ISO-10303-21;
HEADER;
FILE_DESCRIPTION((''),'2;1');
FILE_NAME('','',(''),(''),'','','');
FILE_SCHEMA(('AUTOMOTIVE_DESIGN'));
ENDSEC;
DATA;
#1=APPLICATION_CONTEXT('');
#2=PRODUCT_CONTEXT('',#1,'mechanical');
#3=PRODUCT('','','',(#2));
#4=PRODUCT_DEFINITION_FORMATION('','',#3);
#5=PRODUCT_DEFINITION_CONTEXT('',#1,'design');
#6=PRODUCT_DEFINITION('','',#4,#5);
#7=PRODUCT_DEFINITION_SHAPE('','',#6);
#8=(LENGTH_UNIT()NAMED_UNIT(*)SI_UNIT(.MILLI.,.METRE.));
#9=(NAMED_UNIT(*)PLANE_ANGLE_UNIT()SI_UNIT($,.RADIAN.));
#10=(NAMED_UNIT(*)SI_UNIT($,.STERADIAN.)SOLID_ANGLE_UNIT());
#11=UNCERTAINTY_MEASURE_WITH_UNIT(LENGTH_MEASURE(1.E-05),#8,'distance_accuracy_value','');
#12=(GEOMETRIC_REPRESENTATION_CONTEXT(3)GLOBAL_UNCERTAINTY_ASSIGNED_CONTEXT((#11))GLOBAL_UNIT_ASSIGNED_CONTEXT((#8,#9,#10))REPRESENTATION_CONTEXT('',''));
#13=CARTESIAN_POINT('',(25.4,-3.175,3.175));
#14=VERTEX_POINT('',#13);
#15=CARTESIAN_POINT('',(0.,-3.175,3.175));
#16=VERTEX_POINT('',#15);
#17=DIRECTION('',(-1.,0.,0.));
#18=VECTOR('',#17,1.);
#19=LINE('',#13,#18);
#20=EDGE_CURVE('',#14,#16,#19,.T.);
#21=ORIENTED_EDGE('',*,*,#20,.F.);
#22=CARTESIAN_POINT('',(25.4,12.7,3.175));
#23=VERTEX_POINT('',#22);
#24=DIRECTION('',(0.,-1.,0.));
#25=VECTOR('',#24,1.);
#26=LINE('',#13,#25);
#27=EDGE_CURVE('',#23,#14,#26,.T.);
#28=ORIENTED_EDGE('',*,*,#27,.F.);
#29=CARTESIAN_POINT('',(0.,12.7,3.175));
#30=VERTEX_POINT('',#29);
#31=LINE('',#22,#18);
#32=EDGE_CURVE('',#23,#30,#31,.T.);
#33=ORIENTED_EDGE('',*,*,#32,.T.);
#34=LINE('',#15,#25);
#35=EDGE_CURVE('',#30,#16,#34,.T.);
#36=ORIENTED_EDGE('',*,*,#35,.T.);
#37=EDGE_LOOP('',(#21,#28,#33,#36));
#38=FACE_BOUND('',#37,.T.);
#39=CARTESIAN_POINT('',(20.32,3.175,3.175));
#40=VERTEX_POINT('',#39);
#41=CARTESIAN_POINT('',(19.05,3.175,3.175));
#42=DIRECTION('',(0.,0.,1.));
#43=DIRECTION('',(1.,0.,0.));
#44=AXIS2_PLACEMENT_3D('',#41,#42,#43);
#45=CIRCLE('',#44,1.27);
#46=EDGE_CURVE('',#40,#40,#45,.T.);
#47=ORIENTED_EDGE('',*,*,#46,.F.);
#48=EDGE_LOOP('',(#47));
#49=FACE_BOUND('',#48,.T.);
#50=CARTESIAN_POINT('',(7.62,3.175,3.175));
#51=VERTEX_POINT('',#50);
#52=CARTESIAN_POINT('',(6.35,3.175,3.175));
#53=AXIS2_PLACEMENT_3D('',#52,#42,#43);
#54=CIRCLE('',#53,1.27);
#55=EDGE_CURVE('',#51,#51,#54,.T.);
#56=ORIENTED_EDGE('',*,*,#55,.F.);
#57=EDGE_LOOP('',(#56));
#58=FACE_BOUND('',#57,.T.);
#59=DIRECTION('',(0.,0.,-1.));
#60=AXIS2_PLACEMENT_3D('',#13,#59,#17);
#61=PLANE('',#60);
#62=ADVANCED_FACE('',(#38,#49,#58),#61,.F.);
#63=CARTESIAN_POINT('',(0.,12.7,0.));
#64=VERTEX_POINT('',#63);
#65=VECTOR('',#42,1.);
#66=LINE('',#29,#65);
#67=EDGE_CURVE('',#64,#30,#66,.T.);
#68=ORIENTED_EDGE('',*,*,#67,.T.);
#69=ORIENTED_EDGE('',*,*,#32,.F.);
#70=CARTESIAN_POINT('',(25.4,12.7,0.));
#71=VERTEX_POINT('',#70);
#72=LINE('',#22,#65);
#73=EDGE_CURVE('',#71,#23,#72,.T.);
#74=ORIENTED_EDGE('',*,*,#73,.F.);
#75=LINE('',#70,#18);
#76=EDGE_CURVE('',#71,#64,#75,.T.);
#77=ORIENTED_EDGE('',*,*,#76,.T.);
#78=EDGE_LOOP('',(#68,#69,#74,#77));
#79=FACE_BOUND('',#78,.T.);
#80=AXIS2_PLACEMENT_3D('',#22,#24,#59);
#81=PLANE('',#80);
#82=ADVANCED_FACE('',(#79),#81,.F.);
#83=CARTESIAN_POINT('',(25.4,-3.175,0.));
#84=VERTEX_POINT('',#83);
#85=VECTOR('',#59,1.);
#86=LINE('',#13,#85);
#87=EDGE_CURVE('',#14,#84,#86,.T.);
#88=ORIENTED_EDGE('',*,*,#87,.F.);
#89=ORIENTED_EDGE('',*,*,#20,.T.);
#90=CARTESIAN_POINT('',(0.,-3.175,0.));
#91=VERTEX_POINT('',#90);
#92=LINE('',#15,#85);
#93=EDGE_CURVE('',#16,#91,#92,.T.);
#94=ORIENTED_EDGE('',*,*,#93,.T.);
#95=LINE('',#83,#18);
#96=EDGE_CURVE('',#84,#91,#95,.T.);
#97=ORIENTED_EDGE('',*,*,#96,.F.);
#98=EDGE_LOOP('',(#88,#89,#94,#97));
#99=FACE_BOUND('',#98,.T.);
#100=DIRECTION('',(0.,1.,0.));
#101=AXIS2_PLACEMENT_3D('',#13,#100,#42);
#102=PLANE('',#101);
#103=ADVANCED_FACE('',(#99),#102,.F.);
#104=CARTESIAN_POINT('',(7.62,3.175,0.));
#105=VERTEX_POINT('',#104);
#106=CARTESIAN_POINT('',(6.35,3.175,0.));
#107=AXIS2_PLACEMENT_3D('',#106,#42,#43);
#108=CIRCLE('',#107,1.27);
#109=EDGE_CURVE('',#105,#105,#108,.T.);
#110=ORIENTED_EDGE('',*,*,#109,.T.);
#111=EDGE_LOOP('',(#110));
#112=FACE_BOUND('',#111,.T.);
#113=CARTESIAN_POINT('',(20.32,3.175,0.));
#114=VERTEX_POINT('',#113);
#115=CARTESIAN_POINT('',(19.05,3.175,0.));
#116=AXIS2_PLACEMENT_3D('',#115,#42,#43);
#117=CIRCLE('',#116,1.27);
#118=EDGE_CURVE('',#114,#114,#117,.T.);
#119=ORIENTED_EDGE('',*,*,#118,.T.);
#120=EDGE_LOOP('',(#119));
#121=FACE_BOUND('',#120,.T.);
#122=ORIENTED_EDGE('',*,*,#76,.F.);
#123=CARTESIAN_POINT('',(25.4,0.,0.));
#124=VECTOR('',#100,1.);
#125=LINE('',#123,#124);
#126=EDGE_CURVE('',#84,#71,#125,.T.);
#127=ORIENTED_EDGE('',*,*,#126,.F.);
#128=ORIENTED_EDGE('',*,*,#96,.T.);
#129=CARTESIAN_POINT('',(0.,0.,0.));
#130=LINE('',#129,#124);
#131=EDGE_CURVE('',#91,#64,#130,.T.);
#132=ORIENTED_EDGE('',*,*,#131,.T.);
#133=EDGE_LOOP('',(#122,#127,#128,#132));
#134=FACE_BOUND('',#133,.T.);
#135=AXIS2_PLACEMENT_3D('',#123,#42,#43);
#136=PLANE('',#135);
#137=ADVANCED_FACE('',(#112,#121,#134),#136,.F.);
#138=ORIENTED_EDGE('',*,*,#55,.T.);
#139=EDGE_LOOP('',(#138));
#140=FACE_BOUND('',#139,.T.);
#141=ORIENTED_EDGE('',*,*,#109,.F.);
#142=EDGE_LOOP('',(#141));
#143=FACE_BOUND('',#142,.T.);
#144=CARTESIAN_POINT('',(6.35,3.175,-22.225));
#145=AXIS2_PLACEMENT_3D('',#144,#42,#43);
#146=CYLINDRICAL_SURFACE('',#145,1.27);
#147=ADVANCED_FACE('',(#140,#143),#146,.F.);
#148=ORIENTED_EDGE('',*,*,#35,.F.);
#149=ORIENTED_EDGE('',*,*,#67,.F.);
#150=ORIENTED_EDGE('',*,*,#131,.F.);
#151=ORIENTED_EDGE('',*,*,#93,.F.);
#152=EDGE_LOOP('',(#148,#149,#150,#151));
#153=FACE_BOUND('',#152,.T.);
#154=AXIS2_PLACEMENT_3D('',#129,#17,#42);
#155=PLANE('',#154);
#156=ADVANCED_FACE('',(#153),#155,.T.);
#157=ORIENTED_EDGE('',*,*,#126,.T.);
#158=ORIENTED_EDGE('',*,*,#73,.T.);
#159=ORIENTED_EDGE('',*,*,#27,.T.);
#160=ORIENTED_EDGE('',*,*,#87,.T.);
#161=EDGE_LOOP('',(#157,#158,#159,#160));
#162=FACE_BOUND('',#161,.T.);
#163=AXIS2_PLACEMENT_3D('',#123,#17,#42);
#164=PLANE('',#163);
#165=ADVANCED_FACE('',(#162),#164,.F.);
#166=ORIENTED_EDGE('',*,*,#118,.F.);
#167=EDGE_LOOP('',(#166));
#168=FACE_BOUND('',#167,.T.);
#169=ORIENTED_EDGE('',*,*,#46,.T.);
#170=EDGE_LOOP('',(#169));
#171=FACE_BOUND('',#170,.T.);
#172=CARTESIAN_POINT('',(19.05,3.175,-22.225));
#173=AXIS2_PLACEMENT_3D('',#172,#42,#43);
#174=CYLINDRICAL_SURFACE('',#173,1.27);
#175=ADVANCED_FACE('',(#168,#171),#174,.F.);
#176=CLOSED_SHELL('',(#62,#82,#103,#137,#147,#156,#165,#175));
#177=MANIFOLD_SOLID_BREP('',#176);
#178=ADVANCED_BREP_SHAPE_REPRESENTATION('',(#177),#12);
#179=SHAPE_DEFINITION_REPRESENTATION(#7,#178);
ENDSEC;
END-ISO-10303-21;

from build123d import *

# Parameters (mm, degrees)
BOSS_EXTRUDE1_DEPTH = 25.4
SKETCH2_R           = 1.27
CUT_EXTRUDE1_DEPTH  = 25.4
SKETCH3_W           = 25.4
SKETCH3_H           = 3.175
CUT_EXTRUDE2_DEPTH  = 10.668


with BuildPart() as part:
    # Sketch1 → Boss-Extrude1 (new body)
    with BuildSketch(Plane(origin=(0, 0, 0), x_dir=(0, 0, -1), z_dir=(1, 0, 0))):
        Polygon((0, 0), (0, 12.7), (-3.175, 12.7), (-3.175, -3.175), (10.668, -3.175), (10.668, 0), align=None)
    extrude(amount=BOSS_EXTRUDE1_DEPTH)

    # Sketch2 → Cut-Extrude1 (cut)
    with BuildSketch(Plane.XY.offset(3.175)):
        with Locations((6.35, 3.175)):
            Circle(SKETCH2_R)
        with Locations((19.05, 3.175)):
            Circle(SKETCH2_R)
    extrude(amount=-CUT_EXTRUDE1_DEPTH, mode=Mode.SUBTRACT)

    # Sketch3 → Cut-Extrude2 (cut)
    with BuildSketch(Plane(origin=(0, 0, -10.668), x_dir=(-1, 0, 0), z_dir=(0, 0, -1))):
        with Locations((-12.7, -1.5875)):
            Rectangle(SKETCH3_W, SKETCH3_H)
    extrude(amount=-CUT_EXTRUDE2_DEPTH, mode=Mode.SUBTRACT)


solid = part.part
